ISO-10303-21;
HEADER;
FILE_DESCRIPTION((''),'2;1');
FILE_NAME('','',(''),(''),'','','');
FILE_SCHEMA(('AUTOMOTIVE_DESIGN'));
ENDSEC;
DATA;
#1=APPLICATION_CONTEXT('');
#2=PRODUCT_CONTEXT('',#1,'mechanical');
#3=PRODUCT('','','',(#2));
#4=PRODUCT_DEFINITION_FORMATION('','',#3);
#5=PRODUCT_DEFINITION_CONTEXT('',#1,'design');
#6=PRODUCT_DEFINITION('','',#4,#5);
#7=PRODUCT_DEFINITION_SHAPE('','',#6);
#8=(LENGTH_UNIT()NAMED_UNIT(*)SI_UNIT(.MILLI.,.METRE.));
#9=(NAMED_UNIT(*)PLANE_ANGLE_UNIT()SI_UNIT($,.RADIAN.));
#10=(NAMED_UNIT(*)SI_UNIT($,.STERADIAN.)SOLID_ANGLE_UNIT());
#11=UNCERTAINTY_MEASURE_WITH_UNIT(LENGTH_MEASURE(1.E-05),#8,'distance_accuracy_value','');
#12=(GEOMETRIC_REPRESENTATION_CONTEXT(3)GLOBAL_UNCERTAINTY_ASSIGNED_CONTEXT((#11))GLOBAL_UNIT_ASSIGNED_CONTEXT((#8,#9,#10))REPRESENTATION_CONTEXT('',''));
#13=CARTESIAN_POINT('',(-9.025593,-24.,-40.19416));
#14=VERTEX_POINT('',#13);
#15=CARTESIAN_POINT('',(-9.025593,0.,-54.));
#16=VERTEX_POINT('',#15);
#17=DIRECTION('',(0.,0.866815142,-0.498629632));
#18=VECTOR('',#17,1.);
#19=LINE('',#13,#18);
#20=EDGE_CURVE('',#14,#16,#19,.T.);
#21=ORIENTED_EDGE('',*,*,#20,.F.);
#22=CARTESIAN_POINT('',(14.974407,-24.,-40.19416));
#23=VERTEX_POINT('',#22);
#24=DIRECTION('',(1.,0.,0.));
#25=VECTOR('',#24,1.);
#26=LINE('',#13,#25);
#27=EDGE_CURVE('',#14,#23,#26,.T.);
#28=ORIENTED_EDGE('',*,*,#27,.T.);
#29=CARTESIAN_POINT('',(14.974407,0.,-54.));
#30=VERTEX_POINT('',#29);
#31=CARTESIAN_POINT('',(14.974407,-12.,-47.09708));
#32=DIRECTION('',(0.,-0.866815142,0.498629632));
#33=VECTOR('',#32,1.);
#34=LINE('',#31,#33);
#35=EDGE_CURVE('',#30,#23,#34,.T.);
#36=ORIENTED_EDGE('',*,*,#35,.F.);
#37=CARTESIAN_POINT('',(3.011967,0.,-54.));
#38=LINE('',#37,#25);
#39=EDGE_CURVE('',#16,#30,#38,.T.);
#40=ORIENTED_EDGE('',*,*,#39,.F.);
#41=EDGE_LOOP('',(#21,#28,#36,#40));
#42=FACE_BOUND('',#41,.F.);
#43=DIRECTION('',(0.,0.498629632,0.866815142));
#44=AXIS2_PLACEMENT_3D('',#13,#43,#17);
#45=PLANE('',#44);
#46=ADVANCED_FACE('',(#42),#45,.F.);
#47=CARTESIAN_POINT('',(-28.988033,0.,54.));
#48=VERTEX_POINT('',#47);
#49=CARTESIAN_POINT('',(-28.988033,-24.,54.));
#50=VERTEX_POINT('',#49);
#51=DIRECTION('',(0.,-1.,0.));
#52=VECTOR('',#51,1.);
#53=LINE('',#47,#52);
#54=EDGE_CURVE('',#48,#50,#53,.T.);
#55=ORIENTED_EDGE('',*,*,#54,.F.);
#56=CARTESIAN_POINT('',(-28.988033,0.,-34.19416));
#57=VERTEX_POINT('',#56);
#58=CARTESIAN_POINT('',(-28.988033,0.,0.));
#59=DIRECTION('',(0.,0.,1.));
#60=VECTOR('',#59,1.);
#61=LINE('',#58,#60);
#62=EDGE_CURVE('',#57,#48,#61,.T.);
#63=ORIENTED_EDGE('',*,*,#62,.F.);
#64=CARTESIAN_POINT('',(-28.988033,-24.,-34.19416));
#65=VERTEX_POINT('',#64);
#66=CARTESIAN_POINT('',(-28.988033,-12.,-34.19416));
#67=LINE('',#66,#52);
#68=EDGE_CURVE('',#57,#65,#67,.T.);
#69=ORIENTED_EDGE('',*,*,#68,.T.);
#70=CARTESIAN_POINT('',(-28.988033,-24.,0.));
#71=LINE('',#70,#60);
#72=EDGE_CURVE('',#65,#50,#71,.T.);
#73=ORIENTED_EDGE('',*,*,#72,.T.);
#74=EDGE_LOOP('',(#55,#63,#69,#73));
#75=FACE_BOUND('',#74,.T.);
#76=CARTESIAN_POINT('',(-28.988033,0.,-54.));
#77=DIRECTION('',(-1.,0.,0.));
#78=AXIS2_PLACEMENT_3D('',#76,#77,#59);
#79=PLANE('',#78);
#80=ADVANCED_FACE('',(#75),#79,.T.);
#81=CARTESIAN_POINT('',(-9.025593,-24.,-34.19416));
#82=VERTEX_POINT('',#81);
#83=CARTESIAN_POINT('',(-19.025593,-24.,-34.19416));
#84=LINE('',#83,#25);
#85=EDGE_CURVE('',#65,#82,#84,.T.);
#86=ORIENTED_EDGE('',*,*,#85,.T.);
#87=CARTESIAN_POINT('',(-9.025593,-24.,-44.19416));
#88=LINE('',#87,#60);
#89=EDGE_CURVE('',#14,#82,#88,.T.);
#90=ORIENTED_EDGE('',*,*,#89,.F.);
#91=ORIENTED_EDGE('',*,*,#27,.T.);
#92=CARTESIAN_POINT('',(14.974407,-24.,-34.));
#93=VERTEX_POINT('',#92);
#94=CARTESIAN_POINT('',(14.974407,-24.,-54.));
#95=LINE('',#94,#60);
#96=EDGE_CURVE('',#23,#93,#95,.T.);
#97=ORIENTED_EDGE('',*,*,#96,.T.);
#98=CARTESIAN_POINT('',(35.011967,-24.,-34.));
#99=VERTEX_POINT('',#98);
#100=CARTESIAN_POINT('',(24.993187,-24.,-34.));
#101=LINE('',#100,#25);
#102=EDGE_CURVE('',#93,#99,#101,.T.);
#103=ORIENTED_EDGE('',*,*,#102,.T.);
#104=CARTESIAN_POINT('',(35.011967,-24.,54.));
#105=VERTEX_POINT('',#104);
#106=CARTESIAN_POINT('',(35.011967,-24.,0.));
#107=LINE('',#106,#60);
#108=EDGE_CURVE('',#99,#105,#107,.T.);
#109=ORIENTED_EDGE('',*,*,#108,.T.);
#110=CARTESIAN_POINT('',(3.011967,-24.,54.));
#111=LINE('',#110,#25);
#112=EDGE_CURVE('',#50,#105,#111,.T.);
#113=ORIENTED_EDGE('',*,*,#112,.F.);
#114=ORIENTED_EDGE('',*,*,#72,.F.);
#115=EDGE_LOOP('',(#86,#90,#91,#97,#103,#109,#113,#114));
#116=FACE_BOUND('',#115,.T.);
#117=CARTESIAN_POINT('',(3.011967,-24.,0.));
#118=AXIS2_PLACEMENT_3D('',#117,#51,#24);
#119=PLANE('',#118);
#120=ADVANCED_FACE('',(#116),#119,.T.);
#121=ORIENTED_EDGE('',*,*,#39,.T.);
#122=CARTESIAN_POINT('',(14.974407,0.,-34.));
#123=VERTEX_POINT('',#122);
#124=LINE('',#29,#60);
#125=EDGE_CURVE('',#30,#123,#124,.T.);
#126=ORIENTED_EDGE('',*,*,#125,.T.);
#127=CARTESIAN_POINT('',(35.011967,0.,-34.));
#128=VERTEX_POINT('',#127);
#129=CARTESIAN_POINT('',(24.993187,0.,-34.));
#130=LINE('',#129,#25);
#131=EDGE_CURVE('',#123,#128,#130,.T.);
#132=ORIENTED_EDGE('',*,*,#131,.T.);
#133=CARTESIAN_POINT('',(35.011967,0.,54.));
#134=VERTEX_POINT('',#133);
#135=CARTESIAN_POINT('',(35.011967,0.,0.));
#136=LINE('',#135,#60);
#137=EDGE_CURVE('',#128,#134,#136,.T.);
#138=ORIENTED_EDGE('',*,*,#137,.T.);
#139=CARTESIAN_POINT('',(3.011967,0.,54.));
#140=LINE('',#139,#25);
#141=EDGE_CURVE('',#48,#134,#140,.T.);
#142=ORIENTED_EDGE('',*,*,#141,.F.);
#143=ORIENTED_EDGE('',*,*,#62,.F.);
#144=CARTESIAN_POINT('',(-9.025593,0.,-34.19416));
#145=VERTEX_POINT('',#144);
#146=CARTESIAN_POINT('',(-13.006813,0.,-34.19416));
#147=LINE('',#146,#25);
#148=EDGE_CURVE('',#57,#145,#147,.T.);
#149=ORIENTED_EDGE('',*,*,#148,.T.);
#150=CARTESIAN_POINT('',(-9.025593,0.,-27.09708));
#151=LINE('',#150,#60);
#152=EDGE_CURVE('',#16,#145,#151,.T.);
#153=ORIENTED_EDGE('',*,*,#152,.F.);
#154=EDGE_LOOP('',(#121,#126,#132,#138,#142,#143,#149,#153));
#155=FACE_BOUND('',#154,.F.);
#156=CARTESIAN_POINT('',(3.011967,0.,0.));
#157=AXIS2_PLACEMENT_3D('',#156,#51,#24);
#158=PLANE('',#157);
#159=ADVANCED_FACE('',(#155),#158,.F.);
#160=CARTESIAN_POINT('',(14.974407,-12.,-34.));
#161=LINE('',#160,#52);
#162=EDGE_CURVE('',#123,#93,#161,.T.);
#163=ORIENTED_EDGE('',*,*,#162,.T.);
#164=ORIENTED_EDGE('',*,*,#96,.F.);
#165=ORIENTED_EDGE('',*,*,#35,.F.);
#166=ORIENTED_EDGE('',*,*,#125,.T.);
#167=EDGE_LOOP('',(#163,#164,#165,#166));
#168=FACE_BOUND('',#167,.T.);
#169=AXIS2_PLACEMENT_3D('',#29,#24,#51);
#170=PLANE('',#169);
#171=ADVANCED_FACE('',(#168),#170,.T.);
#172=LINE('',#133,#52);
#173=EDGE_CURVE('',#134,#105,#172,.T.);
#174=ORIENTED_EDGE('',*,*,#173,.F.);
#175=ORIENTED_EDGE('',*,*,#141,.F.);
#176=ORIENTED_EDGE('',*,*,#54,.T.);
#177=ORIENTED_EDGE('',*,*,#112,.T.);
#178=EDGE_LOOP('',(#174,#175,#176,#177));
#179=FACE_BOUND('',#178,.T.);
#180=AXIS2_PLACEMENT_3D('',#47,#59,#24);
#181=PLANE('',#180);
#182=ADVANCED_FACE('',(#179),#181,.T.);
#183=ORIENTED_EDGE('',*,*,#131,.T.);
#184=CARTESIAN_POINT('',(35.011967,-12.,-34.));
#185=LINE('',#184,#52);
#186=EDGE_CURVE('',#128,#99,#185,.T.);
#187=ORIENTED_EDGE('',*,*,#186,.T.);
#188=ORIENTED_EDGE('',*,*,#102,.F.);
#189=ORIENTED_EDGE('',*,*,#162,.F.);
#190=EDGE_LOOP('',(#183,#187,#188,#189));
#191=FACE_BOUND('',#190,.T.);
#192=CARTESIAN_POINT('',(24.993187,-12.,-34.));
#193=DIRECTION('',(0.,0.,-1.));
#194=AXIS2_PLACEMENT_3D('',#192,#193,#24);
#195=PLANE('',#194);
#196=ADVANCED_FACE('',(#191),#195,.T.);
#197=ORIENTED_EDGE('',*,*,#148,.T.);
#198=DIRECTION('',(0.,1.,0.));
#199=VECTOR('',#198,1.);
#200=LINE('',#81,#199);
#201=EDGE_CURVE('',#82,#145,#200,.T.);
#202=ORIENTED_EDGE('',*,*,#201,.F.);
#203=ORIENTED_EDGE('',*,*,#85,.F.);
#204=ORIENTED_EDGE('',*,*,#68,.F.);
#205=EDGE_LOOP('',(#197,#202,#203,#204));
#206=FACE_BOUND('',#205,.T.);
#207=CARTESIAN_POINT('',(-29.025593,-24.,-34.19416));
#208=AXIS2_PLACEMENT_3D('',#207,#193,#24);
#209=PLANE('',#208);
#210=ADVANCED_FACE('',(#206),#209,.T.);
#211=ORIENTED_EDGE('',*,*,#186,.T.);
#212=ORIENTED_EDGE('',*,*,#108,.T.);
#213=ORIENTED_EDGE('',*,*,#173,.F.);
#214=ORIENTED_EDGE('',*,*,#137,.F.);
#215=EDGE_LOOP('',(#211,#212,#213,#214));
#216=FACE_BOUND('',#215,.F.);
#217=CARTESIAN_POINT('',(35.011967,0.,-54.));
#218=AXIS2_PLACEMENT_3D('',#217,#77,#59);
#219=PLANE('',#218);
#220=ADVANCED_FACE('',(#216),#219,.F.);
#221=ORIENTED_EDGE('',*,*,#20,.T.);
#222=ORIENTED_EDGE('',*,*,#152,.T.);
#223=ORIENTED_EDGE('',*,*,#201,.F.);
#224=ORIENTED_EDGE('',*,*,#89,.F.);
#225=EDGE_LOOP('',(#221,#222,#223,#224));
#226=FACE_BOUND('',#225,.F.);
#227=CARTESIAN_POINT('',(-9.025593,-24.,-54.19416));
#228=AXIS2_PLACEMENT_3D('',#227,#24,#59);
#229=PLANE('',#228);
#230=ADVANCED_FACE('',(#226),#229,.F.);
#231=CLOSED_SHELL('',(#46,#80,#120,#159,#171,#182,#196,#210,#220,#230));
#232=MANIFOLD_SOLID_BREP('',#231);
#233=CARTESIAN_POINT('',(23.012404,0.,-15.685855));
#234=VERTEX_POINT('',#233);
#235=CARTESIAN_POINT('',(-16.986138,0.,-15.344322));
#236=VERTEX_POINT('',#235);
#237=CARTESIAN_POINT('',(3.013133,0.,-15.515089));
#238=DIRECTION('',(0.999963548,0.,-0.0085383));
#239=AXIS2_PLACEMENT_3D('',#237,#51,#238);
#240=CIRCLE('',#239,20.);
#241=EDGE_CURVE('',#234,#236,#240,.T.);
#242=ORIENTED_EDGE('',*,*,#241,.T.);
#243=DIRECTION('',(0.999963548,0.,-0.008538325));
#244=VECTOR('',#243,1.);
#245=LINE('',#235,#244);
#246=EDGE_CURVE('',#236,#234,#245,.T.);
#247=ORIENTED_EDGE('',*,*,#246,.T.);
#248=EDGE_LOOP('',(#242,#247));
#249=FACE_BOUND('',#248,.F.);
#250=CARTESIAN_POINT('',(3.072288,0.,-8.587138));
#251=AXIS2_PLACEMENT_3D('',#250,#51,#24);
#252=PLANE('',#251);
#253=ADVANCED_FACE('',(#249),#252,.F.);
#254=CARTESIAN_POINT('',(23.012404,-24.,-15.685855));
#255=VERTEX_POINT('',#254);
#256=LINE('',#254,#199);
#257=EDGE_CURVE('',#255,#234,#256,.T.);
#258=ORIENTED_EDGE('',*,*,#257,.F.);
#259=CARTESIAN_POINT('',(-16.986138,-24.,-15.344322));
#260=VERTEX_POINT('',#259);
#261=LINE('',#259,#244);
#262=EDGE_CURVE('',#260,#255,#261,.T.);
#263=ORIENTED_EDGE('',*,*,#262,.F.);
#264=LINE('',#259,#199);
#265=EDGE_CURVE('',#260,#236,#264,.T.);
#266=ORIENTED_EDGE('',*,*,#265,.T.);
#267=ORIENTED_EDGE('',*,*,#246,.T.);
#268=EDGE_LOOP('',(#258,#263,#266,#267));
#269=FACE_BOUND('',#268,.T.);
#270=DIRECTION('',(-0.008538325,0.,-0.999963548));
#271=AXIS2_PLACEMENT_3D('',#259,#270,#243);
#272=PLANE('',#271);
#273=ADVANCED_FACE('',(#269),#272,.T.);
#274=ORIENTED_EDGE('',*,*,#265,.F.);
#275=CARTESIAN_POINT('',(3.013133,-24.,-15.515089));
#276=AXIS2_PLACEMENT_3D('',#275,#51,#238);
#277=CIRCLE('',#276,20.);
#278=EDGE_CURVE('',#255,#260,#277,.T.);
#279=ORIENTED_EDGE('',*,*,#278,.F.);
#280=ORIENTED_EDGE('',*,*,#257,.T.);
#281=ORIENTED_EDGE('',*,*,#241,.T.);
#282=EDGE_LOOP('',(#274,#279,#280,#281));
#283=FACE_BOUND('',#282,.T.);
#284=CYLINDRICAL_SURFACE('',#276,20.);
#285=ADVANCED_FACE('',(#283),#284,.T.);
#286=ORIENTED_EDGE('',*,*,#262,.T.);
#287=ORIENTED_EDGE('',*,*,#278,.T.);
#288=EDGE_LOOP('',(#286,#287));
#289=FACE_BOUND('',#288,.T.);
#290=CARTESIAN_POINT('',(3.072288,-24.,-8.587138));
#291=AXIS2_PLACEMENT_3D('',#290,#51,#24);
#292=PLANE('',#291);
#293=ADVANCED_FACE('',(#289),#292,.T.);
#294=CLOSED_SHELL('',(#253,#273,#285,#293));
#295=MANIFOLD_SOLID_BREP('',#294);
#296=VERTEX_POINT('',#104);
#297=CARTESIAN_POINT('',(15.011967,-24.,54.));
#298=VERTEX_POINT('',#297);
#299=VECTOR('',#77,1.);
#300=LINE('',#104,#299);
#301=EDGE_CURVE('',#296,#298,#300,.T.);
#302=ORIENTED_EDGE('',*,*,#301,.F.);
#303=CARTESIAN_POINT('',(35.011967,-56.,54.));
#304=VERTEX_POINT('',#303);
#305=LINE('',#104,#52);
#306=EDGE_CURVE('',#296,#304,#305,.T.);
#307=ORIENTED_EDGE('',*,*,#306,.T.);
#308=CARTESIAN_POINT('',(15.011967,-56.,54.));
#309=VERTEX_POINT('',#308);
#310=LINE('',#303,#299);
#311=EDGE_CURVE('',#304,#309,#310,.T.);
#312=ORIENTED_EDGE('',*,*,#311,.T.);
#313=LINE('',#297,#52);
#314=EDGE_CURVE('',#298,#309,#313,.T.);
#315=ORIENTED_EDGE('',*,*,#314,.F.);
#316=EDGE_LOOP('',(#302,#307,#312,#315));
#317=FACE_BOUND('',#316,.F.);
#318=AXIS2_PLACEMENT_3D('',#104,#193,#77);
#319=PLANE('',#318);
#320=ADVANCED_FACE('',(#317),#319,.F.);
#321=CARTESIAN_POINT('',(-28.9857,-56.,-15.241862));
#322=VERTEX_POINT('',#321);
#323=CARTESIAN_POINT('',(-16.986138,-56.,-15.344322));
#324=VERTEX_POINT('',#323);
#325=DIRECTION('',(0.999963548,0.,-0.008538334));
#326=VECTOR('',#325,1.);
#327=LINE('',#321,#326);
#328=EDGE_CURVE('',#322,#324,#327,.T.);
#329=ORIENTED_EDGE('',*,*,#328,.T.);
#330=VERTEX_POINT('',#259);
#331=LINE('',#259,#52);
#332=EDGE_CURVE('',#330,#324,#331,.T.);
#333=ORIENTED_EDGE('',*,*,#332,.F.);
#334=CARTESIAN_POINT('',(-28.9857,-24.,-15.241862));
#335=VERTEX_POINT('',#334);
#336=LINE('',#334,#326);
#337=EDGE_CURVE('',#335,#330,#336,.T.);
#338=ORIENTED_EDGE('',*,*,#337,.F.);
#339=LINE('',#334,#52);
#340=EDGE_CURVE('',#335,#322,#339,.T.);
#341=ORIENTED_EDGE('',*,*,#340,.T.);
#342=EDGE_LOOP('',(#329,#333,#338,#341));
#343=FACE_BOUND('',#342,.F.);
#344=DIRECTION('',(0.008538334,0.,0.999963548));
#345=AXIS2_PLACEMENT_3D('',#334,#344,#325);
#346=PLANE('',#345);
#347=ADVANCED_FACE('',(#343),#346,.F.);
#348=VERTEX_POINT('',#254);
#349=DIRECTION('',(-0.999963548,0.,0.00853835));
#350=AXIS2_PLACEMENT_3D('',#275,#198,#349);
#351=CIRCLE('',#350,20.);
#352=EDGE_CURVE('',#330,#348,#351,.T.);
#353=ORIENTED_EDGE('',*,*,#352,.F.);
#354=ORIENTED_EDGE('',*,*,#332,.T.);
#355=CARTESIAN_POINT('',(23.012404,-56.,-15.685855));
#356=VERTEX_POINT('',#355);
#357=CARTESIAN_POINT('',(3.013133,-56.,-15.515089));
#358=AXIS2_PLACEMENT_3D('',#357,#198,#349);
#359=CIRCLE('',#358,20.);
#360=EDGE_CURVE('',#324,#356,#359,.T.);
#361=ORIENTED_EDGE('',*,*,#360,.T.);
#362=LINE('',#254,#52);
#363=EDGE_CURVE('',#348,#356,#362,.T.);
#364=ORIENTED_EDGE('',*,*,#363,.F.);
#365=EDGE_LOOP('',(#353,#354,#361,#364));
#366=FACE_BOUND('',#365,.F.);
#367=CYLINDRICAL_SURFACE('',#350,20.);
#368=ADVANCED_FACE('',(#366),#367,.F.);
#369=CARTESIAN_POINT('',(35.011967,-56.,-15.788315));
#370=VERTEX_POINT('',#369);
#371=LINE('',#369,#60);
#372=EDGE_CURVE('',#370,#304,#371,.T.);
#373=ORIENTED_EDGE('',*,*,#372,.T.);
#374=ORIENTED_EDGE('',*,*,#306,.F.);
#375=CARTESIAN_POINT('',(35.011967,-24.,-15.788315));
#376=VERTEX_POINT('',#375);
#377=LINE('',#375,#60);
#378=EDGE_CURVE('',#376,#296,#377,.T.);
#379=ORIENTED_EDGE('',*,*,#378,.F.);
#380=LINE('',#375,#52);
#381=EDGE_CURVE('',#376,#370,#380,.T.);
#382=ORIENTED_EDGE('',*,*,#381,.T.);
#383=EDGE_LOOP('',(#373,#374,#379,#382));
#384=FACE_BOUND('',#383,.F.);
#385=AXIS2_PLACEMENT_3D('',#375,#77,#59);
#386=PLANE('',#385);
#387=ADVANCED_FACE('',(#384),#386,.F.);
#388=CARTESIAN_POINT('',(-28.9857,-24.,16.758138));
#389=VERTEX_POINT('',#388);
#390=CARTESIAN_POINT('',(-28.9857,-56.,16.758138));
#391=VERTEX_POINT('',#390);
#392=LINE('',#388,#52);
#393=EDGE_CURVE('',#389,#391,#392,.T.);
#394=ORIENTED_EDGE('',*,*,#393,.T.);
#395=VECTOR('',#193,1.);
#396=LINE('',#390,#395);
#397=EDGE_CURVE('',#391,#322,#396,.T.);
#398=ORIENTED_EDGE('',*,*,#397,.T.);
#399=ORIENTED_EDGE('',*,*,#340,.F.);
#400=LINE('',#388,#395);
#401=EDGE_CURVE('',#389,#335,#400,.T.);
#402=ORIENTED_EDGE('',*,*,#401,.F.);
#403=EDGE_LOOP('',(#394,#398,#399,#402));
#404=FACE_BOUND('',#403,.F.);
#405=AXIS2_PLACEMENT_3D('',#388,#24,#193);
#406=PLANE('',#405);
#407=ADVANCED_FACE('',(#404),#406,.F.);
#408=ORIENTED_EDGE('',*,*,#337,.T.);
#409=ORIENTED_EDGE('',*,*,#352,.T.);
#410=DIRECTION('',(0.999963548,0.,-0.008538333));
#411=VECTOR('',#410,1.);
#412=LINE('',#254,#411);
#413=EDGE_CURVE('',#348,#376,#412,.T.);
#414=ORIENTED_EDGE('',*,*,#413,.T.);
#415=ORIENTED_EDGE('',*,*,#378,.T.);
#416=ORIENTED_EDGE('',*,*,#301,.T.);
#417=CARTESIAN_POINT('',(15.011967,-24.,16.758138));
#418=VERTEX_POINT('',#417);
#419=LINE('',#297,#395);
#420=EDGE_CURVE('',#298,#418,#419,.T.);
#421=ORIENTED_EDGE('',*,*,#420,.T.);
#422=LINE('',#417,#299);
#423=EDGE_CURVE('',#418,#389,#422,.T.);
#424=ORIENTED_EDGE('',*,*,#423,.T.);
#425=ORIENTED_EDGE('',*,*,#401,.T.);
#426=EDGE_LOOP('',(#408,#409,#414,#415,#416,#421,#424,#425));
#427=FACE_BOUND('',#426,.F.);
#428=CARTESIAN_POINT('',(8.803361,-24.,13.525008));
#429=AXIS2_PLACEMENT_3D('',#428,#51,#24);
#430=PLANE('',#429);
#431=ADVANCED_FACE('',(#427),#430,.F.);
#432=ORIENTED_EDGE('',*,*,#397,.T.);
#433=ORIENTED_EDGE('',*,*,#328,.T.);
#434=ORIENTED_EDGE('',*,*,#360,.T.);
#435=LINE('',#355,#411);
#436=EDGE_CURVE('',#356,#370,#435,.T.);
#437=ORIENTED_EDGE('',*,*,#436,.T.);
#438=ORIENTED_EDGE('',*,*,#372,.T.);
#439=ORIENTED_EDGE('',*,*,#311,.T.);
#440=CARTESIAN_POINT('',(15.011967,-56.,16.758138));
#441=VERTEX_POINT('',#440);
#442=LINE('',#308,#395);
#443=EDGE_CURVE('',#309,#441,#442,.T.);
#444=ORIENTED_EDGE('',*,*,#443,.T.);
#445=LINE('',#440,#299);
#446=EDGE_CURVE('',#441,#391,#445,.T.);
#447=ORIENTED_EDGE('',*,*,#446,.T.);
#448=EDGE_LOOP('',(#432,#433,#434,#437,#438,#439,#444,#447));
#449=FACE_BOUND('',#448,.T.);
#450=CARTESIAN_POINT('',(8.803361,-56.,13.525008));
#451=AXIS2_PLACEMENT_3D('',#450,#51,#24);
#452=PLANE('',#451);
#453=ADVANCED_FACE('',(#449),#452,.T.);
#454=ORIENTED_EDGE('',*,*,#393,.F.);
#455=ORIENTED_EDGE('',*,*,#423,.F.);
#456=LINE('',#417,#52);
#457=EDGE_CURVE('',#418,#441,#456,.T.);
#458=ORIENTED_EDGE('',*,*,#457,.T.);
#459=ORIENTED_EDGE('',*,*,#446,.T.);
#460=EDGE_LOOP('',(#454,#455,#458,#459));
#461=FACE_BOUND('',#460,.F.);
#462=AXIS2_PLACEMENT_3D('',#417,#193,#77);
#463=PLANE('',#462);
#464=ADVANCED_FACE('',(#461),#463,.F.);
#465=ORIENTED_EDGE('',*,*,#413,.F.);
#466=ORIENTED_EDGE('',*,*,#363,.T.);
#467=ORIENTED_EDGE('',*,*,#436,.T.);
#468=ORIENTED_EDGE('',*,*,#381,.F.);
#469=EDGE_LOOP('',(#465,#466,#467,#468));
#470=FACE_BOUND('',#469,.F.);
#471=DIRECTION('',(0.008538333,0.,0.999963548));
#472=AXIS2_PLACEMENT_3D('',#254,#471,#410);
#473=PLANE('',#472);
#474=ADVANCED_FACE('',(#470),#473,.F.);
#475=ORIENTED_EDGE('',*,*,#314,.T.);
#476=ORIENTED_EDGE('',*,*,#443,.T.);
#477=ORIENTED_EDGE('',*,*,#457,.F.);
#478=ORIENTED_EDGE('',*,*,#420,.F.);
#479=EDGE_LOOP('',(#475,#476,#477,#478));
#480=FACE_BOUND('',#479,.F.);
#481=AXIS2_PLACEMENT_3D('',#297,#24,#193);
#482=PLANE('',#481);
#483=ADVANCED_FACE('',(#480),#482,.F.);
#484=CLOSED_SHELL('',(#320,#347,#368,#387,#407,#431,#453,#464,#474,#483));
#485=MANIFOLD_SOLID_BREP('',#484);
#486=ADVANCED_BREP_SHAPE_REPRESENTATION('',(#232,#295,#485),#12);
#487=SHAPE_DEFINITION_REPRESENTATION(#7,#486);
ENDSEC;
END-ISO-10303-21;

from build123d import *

# Parameters (mm, degrees)
F0_W      = 64
F0_H      = 108
F1_DEPTH  = 24
F3_DEPTH  = 32
F4_DEPTH  = 24
F5_W      = 20
F5_H      = 20
F6_DEPTH  = 25
F7_W      = 20.03756
F7_H      = 24
F8_DEPTH  = 20
F10_DEPTH = 25


with BuildPart() as f1:
    # F0 (on Front) → F1 (new body)
    with BuildSketch(Plane.XZ):
        with Locations((3.011967, 0)):
            Rectangle(F0_W, F0_H)
    extrude(amount=F1_DEPTH)

    # F5 (on face) → F6 (cut)
    with BuildSketch(Plane.XZ.offset(24)):
        with Locations((-19.025593, -44.19416)):
            Rectangle(F5_W, F5_H)
    extrude(amount=-F6_DEPTH, mode=Mode.SUBTRACT)

    # F7 (on face) → F8 (cut)
    with BuildSketch(Plane(origin=(0, 0, -54), x_dir=(1, 0, 0), z_dir=(0, 0, -1))):
        with Locations((24.993187, 12)):
            Rectangle(F7_W, F7_H)
    extrude(amount=-F8_DEPTH, mode=Mode.SUBTRACT)

    # F9 (on face) → F10 (cut)
    with BuildSketch(Plane(origin=(-9.025593, 0, 0), x_dir=(0, -1, 0), z_dir=(-1, 0, 0))):
        Polygon((24, -54), (24, -40.19416), (0, -54), align=None)
    extrude(amount=-F10_DEPTH, mode=Mode.SUBTRACT)


with BuildPart() as f3:
    # F2 (on face) → F3 (new body)
    with BuildSketch(Plane.XZ.offset(24)):
        with BuildLine():
            Line((35.011967, 54), (15.011967, 54))
            Line((15.011967, 54), (15.011967, 16.758138))
            Line((15.011967, 16.758138), (-28.9857, 16.758138))
            Line((-28.9857, 16.758138), (-28.9857, -15.241862))
            Line((-28.9857, -15.241862), (-16.986138, -15.344322))
            ThreePointArc((-16.986138, -15.344322), (3.1839, 4.484182), (23.012404, -15.685855))
            Line((23.012404, -15.685855), (35.011967, -15.788315))
            Line((35.011967, -15.788315), (35.011967, 54))
        make_face()
    extrude(amount=F3_DEPTH)


with BuildPart() as f4:
    # F2 (on face) → F4 (new body)
    with BuildSketch(Plane.XZ.offset(24)):
        with BuildLine():
            ThreePointArc((23.012404, -15.685855), (3.1839, 4.484182), (-16.986138, -15.344322))
            Line((-16.986138, -15.344322), (23.012404, -15.685855))
        make_face()
    extrude(amount=-F4_DEPTH)


solid = Compound([f1.part, f3.part, f4.part])
